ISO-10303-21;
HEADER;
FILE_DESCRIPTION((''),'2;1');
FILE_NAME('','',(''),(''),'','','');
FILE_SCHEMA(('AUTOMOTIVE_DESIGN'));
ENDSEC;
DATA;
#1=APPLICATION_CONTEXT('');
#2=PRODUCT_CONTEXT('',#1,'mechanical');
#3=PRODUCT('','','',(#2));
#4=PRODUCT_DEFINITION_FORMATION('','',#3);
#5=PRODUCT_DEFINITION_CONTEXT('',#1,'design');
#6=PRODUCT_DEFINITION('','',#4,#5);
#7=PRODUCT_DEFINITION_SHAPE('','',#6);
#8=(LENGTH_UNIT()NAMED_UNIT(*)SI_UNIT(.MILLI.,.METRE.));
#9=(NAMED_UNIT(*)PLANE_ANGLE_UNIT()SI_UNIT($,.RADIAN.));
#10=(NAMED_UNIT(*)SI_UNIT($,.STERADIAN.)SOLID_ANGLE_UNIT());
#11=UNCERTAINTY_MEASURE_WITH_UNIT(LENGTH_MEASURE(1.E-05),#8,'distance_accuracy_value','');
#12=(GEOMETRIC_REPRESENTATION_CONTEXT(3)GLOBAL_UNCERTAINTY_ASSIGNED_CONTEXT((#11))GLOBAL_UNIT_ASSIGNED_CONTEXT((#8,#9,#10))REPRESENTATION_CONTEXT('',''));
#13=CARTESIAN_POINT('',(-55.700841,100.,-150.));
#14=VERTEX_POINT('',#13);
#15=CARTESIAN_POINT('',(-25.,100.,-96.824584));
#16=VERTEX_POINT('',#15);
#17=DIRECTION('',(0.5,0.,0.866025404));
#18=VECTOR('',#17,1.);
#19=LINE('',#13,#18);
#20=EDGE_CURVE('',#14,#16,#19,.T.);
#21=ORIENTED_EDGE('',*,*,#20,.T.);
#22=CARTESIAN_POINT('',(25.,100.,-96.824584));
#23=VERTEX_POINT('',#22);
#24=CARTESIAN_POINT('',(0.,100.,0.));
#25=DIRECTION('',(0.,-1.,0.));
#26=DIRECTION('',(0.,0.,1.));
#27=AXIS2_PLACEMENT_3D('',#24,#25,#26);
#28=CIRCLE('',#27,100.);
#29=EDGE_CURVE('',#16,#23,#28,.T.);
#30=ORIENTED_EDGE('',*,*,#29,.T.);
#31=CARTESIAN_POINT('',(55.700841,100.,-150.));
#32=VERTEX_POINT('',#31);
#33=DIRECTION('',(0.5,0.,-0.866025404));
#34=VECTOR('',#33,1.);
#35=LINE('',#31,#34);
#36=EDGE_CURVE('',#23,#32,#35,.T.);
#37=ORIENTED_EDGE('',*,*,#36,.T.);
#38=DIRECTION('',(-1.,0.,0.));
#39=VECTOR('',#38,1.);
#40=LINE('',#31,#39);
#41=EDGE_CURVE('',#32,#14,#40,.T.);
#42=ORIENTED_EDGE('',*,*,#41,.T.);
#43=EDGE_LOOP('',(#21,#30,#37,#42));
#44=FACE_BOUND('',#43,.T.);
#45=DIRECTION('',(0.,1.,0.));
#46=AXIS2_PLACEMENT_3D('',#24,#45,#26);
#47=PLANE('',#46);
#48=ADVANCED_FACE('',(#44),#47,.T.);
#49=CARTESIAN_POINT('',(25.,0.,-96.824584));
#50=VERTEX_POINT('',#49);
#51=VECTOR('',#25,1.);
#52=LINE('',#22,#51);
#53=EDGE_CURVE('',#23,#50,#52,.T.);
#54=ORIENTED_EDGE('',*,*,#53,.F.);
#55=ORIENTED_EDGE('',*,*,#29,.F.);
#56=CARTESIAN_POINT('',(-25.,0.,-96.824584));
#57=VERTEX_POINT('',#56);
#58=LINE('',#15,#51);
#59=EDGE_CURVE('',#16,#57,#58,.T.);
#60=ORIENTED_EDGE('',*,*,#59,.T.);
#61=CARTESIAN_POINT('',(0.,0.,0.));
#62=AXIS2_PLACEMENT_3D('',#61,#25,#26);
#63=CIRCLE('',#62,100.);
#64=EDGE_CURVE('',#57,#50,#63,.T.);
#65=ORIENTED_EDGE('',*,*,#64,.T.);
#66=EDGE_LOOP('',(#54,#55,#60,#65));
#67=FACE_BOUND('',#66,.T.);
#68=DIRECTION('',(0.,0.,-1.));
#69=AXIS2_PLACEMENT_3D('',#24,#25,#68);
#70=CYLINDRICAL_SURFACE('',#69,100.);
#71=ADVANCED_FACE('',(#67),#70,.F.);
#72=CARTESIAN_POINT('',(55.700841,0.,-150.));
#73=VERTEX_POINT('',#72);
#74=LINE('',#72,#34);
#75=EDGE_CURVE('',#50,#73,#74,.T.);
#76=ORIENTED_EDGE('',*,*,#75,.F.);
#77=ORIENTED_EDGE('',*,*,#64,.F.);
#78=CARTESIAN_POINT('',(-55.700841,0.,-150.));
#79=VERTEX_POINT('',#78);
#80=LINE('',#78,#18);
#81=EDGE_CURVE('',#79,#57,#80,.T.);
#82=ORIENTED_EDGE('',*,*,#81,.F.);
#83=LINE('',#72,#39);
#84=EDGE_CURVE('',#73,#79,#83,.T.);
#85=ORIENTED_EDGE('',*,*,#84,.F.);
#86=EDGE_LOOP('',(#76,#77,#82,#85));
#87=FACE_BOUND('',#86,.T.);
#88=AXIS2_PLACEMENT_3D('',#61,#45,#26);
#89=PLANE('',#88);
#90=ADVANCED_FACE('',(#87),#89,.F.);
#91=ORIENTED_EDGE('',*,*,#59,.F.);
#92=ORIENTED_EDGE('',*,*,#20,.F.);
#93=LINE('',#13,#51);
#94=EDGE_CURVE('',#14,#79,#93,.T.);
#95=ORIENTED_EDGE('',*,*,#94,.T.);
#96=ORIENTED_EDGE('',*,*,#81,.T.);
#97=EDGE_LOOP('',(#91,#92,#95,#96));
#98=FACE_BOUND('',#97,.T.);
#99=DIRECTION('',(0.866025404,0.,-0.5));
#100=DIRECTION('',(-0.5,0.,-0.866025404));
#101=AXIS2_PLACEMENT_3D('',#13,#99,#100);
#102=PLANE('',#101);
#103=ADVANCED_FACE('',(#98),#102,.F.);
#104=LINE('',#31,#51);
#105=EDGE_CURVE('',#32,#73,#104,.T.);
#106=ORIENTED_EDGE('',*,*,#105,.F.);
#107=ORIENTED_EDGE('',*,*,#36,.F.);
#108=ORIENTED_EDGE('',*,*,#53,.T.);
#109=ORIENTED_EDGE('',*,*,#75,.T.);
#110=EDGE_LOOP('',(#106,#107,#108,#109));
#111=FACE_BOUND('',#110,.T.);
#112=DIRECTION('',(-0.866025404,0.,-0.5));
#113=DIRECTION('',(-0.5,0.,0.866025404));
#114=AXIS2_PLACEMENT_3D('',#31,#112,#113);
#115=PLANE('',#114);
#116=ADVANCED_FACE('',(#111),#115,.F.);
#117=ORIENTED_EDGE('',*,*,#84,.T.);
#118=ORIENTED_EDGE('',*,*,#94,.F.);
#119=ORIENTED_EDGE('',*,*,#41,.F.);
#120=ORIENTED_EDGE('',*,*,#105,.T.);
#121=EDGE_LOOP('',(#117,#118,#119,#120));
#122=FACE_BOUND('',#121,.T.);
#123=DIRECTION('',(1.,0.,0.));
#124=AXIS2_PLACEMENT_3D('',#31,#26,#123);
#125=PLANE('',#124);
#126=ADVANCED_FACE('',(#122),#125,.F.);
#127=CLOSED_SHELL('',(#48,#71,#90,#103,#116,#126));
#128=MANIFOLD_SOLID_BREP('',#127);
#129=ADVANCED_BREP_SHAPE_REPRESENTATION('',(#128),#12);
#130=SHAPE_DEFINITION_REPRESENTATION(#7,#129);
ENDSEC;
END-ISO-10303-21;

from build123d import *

# Parameters (mm, degrees)
Y_KSEKLIK_EKSTR_ZYON1_DEPTH = 100


with BuildPart() as part:
    # Çizim1 → Yükseklik-Ekstrüzyon1 (new body)
    with BuildSketch(Plane(origin=(0, 0, 0), x_dir=(1, 0, 0), z_dir=(0, 1, 0))):
        with BuildLine():
            Line((55.700840941, 150), (25, 96.824583655))
            ThreePointArc((25, 96.824583655), (0, 100), (-25, 96.824583655))
            Line((-25, 96.824583655), (-55.700840941, 150))
            Line((-55.700840941, 150), (55.700840941, 150))
        make_face()
    extrude(amount=Y_KSEKLIK_EKSTR_ZYON1_DEPTH)


solid = part.part
